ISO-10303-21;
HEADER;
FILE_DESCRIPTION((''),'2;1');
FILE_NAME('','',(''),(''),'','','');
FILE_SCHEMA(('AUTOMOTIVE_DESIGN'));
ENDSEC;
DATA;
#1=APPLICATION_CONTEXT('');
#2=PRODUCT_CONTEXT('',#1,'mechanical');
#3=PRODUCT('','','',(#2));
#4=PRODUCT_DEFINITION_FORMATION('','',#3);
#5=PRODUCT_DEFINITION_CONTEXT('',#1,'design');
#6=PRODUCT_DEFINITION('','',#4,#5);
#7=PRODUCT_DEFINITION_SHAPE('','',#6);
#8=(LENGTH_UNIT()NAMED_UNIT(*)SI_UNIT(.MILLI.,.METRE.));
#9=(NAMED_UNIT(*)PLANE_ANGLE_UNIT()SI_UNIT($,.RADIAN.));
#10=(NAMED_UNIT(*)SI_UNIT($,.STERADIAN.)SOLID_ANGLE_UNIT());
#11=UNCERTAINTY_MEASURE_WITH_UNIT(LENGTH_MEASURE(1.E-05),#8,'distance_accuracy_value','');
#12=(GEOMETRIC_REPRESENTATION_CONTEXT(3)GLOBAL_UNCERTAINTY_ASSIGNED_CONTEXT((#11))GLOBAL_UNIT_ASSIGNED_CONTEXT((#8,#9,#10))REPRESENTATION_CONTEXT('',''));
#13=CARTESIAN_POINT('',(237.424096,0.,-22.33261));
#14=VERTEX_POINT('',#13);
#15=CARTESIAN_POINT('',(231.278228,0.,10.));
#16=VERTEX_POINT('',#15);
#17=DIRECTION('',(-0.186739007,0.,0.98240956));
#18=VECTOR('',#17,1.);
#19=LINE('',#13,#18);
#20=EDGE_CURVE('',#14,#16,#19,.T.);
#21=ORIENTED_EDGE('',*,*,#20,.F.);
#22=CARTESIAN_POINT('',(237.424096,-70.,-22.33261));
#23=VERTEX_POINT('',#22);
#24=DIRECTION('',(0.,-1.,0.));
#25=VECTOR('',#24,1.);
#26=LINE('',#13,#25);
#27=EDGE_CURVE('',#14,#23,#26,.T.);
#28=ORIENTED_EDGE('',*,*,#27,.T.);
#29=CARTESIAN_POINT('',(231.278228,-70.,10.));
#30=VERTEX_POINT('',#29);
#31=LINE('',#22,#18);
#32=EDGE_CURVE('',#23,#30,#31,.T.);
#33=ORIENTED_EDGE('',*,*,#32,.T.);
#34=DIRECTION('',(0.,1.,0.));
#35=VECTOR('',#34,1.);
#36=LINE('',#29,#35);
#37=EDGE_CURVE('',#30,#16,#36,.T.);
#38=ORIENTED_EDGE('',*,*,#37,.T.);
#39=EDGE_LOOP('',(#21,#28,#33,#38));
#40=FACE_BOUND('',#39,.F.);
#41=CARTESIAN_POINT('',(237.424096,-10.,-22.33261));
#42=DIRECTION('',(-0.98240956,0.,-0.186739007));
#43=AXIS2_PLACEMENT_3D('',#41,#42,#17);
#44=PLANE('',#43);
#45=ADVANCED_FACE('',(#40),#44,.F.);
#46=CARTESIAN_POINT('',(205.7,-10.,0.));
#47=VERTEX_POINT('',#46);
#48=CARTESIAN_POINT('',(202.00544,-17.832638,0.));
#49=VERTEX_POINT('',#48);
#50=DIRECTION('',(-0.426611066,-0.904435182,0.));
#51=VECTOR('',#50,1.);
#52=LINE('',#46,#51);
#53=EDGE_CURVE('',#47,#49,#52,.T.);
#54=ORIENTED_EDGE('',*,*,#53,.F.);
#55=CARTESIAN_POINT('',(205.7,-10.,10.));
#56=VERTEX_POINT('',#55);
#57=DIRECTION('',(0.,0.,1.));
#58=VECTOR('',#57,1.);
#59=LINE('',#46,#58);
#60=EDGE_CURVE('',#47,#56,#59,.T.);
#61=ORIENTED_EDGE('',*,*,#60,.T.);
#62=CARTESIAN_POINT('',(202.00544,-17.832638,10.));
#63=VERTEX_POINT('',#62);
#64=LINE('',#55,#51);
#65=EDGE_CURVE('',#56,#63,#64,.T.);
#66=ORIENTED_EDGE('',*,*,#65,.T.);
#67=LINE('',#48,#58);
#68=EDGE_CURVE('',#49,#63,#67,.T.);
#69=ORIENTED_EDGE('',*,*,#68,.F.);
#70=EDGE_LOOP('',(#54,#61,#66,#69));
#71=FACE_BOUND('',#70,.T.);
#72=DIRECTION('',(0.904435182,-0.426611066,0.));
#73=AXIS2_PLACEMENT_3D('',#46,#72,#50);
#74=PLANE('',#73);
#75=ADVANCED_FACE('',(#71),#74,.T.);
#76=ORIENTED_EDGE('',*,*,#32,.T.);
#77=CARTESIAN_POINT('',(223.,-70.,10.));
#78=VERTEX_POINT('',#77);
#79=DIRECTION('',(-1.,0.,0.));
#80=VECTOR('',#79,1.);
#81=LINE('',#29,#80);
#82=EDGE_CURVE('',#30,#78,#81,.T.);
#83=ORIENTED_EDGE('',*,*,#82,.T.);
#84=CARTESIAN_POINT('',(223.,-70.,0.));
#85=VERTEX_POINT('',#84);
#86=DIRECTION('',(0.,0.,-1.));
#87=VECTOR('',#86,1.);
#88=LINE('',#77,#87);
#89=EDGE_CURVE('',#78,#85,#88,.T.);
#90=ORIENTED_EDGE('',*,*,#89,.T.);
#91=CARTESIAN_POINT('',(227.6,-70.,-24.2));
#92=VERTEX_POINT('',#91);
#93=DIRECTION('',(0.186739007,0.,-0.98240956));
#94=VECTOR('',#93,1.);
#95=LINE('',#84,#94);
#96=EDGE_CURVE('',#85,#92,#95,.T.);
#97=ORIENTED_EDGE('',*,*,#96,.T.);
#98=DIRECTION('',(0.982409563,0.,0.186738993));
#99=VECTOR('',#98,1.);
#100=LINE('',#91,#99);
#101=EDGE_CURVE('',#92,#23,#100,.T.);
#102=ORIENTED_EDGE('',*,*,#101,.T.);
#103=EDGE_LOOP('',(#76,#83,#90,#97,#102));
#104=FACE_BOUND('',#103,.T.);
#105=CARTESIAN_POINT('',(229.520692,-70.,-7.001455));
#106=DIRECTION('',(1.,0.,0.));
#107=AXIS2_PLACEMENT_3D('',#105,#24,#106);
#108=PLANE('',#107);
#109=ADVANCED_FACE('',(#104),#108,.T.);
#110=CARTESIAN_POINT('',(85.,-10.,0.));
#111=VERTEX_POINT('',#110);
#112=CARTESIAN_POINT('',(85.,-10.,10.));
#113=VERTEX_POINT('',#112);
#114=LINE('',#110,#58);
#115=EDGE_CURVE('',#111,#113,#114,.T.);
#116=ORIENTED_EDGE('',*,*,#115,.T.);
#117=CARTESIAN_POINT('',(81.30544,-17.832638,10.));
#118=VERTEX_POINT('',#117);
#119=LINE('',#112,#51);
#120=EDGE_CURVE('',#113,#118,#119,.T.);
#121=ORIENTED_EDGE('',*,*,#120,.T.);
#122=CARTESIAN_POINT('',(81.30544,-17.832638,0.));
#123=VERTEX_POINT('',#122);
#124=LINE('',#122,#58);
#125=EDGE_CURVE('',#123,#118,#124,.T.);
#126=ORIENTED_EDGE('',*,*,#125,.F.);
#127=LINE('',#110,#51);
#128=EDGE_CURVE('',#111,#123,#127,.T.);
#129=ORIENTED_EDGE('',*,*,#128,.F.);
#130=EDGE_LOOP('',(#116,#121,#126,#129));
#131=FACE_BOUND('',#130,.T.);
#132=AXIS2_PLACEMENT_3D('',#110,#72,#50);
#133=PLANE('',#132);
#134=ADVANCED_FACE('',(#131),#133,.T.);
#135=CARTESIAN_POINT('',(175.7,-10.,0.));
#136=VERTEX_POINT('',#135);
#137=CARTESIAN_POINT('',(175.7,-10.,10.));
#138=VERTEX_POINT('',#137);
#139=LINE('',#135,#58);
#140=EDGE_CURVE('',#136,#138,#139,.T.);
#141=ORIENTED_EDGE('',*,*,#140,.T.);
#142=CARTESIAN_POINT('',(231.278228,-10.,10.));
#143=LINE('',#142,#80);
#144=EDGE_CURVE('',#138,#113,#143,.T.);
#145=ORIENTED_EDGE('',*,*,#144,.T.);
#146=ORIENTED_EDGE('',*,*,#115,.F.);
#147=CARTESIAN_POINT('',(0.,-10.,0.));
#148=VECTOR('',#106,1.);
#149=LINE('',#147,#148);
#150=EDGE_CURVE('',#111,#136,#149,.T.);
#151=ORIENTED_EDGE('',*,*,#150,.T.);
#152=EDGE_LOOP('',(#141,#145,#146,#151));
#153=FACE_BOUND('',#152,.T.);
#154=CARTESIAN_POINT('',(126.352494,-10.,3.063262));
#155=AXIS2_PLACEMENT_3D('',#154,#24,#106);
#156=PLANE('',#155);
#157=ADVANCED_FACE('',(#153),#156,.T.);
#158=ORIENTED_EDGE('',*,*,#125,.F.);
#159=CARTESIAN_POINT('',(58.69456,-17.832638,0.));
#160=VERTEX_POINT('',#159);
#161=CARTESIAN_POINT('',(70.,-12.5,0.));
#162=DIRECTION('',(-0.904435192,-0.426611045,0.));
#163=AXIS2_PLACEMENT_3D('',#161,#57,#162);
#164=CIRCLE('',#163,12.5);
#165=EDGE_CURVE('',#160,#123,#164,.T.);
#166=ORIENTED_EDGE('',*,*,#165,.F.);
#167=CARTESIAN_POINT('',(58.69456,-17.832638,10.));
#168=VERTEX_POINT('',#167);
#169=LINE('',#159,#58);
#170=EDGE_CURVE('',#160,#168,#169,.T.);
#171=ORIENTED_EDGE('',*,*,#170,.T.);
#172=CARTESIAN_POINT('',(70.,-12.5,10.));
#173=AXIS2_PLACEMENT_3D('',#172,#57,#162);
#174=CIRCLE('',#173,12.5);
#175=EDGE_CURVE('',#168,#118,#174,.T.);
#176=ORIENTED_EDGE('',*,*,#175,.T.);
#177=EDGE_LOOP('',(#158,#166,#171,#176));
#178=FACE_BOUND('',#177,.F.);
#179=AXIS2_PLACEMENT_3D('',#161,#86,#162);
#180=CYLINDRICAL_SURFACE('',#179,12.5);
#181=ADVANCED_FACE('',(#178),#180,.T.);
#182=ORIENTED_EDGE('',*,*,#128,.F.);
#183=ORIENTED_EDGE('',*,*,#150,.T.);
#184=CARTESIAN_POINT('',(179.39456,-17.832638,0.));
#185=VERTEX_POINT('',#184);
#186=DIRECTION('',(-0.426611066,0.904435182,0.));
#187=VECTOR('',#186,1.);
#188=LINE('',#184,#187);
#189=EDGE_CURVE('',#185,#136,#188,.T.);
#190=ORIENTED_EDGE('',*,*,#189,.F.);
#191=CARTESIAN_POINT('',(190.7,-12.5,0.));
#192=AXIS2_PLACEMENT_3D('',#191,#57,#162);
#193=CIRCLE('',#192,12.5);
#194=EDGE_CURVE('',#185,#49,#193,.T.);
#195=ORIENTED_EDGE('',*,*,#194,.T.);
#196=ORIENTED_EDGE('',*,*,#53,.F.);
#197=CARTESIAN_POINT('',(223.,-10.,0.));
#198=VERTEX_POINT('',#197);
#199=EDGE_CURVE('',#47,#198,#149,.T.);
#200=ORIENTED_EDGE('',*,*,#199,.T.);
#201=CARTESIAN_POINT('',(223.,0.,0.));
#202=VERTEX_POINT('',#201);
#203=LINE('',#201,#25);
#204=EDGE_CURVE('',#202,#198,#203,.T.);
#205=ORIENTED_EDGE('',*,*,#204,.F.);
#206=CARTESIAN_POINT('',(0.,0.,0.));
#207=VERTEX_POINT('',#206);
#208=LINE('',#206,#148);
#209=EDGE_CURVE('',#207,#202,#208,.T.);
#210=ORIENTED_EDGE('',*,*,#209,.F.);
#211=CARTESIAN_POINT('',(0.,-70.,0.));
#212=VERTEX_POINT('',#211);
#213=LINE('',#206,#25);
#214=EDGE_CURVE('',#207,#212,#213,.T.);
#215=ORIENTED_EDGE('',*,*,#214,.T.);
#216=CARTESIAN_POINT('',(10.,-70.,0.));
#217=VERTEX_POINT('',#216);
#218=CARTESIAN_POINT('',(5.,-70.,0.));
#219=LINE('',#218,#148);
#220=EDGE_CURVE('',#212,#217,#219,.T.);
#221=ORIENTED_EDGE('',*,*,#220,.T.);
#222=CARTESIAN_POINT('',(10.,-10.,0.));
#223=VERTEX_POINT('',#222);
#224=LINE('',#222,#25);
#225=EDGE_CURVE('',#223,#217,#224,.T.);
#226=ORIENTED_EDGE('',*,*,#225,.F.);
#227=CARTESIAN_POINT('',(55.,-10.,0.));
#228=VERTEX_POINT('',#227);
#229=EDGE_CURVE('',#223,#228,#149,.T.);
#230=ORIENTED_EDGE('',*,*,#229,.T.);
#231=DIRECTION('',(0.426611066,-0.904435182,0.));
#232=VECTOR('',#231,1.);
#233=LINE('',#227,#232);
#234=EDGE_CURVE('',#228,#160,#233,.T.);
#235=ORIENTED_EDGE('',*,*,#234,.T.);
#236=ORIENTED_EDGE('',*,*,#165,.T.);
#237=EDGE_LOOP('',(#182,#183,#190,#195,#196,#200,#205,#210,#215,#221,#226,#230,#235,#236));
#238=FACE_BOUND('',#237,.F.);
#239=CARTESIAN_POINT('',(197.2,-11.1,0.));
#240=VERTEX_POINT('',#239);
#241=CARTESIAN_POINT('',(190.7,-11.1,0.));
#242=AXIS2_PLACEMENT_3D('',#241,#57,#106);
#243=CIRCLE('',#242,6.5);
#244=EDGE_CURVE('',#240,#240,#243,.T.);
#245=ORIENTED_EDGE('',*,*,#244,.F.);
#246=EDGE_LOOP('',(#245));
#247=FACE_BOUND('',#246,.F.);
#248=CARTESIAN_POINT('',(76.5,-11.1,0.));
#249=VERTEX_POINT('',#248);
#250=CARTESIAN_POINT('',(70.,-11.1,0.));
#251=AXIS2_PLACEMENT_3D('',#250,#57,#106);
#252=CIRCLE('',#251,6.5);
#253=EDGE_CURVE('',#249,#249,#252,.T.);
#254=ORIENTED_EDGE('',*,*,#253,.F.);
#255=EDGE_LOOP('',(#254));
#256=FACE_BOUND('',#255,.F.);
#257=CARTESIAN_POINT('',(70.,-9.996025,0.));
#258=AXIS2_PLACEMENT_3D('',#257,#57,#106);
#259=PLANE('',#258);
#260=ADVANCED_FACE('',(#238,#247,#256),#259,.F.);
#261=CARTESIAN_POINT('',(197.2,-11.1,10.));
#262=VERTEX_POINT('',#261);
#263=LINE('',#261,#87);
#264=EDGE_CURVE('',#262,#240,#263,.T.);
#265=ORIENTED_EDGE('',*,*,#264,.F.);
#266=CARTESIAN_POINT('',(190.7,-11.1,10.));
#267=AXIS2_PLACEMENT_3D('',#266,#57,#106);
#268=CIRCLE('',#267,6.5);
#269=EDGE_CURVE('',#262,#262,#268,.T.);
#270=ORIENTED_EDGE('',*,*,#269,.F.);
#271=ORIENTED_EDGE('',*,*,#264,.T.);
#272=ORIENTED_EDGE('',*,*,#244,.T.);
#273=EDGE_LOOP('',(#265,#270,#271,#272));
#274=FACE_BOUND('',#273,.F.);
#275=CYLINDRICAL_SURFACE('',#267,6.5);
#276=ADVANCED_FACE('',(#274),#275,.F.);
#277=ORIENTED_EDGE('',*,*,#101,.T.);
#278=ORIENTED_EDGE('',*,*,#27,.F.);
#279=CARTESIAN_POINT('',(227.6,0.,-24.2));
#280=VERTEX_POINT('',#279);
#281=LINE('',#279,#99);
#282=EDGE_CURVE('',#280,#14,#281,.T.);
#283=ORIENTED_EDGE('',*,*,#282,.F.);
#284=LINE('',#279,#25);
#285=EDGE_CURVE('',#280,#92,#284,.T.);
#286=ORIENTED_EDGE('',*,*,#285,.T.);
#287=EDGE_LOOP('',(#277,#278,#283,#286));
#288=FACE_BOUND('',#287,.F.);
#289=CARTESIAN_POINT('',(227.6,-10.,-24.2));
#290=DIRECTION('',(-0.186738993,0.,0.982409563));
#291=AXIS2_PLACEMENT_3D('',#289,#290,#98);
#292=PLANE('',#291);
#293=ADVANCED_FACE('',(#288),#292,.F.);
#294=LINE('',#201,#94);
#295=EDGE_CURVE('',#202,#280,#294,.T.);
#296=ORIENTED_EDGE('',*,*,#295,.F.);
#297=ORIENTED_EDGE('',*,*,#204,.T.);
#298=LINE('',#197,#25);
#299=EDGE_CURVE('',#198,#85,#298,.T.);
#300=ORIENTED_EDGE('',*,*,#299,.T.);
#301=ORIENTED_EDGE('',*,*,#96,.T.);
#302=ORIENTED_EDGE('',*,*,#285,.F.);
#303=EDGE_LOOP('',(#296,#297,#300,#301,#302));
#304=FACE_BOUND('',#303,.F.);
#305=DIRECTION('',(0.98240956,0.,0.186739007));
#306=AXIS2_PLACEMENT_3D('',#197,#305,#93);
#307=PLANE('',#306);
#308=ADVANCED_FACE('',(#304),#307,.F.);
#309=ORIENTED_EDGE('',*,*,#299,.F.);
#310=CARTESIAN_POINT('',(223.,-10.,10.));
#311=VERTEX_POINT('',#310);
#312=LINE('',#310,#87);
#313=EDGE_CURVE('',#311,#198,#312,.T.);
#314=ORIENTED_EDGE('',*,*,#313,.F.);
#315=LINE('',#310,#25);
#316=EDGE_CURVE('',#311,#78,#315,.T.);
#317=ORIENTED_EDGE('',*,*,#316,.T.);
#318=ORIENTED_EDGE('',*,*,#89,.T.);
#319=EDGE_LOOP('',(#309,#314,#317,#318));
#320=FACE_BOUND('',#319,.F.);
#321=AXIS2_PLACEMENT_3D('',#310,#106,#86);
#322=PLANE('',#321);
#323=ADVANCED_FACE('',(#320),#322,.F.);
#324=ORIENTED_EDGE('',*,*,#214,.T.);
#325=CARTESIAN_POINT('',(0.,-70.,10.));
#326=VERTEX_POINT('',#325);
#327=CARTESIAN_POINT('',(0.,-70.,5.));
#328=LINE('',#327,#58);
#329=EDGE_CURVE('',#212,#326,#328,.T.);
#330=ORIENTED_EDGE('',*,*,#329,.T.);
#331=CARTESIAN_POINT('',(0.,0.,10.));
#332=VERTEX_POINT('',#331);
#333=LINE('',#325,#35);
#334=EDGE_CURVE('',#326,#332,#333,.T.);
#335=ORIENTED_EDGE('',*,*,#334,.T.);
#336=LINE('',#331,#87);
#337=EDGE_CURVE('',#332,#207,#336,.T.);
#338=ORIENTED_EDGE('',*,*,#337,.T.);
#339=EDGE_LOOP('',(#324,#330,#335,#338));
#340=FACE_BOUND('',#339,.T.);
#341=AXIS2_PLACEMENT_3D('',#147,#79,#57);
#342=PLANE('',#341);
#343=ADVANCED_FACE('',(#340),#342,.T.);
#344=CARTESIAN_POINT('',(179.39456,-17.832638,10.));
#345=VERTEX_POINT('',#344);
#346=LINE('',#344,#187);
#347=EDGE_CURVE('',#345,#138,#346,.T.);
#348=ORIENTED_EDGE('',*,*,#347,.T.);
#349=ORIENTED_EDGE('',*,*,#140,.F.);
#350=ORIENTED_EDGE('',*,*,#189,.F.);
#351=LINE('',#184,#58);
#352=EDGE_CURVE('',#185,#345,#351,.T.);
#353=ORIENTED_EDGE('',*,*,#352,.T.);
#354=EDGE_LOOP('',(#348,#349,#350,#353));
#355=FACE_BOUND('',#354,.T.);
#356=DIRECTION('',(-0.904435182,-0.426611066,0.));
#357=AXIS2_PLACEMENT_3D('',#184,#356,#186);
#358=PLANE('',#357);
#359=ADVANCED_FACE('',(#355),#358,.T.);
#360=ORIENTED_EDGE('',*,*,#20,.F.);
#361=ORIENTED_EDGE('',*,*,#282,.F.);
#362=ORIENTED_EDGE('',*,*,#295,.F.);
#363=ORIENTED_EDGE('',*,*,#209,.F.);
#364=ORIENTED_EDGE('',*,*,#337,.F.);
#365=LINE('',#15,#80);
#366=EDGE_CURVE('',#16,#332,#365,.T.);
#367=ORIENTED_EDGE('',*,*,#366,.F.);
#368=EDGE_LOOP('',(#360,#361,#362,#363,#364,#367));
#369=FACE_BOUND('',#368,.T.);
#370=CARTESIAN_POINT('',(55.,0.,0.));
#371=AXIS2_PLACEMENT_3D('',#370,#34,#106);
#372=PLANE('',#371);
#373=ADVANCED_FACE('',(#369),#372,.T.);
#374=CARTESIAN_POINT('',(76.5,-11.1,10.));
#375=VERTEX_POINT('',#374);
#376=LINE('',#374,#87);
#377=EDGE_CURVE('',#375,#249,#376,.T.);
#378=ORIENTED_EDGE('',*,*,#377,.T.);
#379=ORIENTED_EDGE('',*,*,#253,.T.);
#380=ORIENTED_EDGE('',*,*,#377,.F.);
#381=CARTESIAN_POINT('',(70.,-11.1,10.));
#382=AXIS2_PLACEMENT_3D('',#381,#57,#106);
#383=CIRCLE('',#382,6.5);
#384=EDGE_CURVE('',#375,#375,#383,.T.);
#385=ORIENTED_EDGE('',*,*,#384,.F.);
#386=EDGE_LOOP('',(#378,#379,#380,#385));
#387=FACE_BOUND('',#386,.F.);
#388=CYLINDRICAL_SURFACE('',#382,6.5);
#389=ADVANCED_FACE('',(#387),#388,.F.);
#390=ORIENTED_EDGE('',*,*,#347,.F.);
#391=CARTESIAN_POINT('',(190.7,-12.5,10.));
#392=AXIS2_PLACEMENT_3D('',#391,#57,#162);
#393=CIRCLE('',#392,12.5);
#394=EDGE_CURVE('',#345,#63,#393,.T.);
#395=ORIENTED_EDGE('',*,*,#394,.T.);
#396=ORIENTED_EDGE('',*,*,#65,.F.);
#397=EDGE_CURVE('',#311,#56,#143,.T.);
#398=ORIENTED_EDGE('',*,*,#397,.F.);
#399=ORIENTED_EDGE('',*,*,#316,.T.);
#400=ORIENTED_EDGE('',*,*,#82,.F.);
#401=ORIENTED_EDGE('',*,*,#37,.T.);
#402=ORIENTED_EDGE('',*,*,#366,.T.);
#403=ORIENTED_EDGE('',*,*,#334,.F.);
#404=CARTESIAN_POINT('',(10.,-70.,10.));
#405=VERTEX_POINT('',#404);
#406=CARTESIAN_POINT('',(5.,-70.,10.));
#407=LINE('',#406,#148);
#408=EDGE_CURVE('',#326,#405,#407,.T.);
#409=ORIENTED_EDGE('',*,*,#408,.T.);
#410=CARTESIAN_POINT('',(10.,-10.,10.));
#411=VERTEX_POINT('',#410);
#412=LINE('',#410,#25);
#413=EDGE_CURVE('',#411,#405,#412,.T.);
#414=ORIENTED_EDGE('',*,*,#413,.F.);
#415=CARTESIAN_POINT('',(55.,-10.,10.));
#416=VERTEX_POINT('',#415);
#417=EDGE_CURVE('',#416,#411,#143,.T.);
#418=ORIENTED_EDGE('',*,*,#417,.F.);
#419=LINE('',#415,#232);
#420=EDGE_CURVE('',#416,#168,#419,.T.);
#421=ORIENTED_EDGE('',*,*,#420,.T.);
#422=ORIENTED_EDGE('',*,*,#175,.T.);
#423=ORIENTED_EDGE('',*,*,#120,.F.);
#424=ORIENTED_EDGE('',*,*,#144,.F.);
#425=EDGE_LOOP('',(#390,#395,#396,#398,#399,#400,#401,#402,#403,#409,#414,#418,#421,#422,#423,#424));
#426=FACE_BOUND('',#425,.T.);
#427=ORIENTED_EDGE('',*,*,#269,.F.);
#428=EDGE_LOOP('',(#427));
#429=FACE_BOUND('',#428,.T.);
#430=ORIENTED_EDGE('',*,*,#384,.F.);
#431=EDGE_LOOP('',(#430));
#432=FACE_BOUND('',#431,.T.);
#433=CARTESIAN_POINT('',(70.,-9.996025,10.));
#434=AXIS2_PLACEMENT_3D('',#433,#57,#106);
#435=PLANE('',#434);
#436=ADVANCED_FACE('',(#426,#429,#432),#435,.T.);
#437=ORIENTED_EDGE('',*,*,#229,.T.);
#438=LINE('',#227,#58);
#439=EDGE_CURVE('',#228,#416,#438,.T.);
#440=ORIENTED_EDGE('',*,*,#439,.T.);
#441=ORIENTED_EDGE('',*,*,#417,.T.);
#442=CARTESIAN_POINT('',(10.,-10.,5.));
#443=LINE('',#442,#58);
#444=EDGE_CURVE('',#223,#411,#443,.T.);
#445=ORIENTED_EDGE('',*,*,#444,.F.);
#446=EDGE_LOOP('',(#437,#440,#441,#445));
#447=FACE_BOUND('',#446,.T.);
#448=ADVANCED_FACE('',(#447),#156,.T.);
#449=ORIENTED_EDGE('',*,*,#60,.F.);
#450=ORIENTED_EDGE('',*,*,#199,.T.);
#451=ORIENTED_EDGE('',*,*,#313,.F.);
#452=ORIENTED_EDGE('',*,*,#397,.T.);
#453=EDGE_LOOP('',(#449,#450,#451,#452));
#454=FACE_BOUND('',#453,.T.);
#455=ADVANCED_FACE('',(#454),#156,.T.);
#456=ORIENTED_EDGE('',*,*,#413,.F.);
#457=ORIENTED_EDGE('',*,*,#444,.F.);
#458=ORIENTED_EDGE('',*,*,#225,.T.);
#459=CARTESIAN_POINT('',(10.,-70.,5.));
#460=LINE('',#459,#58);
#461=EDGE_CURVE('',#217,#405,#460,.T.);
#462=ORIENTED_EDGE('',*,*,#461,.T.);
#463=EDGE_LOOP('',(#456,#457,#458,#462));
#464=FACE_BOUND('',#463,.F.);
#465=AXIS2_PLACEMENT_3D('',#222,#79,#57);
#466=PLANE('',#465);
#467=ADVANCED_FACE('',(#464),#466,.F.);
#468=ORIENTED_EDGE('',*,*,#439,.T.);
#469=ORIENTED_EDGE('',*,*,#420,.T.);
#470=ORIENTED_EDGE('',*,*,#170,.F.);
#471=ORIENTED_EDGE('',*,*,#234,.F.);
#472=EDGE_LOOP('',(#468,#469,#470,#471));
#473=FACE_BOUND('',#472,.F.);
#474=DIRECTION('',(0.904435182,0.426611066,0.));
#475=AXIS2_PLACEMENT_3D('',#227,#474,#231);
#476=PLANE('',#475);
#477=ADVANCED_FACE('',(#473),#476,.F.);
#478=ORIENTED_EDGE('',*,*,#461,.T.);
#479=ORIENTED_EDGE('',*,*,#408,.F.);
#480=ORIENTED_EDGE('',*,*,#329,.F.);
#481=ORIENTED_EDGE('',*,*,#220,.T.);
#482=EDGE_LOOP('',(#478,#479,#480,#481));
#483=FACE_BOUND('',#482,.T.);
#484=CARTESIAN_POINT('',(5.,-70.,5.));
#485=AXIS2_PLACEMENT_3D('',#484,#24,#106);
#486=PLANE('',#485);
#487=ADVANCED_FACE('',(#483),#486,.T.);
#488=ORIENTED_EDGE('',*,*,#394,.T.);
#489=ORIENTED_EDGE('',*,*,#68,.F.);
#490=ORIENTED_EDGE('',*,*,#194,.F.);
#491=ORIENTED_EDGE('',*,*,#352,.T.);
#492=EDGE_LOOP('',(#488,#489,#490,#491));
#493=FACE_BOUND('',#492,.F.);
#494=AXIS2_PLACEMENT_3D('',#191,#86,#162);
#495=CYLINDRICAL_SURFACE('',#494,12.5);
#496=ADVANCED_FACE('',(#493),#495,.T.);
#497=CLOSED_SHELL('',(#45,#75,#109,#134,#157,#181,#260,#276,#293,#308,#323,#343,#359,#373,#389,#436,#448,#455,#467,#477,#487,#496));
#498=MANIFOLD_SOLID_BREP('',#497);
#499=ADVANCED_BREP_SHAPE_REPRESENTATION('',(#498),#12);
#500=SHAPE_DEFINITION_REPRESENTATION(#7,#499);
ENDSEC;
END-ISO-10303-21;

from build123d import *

# Parameters (mm, degrees)
PAD_DEPTH    = 10
PAD001_DEPTH = 60
SKETCH003_W  = 10
SKETCH003_H  = 10
PAD003_DEPTH = 60
PAD004_DEPTH = 10
SKETCH005_R  = 6.5
HOLE_DEPTH   = 34.201


with BuildPart() as part:
    # Sketch → Pad (new body)
    with BuildSketch(Plane.XZ):
        Polygon((0, 0), (223, 0), (227.6, -24.2), (237.424096, -22.33261), (231.278228, 10), (0, 10), align=None)
    extrude(amount=PAD_DEPTH)

    # Sketch001 → Pad001 (join)
    with BuildSketch(Plane.XZ.offset(10)):
        Polygon((223, 0), (227.6, -24.2), (237.424096, -22.33261), (231.278228, 10), (223, 10), align=None)
    extrude(amount=PAD001_DEPTH)

    # Sketch003 → Pad003 (join)
    with BuildSketch(Plane.XZ.offset(10)):
        with Locations((5, 5)):
            Rectangle(SKETCH003_W, SKETCH003_H)
    extrude(amount=PAD003_DEPTH)

    # Sketch004 → Pad004 (join)
    with BuildSketch(Plane.XY):
        with BuildLine():
            ThreePointArc((58.69456, -17.832638), (70, -25), (81.30544, -17.832638))
            Line((85, -10), (81.30544, -17.832638))
            Line((85, 0), (85, -10))
            Line((55, 0), (85, 0))
            Line((55, -10), (55, 0))
            Line((55, -10), (58.69456, -17.832638))
        make_face()
        with BuildLine():
            Line((179.39456, -17.832638), (175.7, -10))
            Line((175.7, -10), (175.7, 0))
            Line((175.7, 0), (205.7, 0))
            Line((205.7, 0), (205.7, -10))
            Line((205.7, -10), (202.00544, -17.832638))
            ThreePointArc((179.39456, -17.832638), (190.7, -25), (202.00544, -17.832638))
        make_face()
    extrude(amount=PAD004_DEPTH)

    # Sketch005 → Hole (cut, through all)
    with BuildSketch(Plane.XY.offset(10)):
        with Locations((70, -11.1)):
            Circle(SKETCH005_R)
        with Locations((190.7, -11.1)):
            Circle(SKETCH005_R)
    extrude(amount=-HOLE_DEPTH, mode=Mode.SUBTRACT)


solid = part.part
